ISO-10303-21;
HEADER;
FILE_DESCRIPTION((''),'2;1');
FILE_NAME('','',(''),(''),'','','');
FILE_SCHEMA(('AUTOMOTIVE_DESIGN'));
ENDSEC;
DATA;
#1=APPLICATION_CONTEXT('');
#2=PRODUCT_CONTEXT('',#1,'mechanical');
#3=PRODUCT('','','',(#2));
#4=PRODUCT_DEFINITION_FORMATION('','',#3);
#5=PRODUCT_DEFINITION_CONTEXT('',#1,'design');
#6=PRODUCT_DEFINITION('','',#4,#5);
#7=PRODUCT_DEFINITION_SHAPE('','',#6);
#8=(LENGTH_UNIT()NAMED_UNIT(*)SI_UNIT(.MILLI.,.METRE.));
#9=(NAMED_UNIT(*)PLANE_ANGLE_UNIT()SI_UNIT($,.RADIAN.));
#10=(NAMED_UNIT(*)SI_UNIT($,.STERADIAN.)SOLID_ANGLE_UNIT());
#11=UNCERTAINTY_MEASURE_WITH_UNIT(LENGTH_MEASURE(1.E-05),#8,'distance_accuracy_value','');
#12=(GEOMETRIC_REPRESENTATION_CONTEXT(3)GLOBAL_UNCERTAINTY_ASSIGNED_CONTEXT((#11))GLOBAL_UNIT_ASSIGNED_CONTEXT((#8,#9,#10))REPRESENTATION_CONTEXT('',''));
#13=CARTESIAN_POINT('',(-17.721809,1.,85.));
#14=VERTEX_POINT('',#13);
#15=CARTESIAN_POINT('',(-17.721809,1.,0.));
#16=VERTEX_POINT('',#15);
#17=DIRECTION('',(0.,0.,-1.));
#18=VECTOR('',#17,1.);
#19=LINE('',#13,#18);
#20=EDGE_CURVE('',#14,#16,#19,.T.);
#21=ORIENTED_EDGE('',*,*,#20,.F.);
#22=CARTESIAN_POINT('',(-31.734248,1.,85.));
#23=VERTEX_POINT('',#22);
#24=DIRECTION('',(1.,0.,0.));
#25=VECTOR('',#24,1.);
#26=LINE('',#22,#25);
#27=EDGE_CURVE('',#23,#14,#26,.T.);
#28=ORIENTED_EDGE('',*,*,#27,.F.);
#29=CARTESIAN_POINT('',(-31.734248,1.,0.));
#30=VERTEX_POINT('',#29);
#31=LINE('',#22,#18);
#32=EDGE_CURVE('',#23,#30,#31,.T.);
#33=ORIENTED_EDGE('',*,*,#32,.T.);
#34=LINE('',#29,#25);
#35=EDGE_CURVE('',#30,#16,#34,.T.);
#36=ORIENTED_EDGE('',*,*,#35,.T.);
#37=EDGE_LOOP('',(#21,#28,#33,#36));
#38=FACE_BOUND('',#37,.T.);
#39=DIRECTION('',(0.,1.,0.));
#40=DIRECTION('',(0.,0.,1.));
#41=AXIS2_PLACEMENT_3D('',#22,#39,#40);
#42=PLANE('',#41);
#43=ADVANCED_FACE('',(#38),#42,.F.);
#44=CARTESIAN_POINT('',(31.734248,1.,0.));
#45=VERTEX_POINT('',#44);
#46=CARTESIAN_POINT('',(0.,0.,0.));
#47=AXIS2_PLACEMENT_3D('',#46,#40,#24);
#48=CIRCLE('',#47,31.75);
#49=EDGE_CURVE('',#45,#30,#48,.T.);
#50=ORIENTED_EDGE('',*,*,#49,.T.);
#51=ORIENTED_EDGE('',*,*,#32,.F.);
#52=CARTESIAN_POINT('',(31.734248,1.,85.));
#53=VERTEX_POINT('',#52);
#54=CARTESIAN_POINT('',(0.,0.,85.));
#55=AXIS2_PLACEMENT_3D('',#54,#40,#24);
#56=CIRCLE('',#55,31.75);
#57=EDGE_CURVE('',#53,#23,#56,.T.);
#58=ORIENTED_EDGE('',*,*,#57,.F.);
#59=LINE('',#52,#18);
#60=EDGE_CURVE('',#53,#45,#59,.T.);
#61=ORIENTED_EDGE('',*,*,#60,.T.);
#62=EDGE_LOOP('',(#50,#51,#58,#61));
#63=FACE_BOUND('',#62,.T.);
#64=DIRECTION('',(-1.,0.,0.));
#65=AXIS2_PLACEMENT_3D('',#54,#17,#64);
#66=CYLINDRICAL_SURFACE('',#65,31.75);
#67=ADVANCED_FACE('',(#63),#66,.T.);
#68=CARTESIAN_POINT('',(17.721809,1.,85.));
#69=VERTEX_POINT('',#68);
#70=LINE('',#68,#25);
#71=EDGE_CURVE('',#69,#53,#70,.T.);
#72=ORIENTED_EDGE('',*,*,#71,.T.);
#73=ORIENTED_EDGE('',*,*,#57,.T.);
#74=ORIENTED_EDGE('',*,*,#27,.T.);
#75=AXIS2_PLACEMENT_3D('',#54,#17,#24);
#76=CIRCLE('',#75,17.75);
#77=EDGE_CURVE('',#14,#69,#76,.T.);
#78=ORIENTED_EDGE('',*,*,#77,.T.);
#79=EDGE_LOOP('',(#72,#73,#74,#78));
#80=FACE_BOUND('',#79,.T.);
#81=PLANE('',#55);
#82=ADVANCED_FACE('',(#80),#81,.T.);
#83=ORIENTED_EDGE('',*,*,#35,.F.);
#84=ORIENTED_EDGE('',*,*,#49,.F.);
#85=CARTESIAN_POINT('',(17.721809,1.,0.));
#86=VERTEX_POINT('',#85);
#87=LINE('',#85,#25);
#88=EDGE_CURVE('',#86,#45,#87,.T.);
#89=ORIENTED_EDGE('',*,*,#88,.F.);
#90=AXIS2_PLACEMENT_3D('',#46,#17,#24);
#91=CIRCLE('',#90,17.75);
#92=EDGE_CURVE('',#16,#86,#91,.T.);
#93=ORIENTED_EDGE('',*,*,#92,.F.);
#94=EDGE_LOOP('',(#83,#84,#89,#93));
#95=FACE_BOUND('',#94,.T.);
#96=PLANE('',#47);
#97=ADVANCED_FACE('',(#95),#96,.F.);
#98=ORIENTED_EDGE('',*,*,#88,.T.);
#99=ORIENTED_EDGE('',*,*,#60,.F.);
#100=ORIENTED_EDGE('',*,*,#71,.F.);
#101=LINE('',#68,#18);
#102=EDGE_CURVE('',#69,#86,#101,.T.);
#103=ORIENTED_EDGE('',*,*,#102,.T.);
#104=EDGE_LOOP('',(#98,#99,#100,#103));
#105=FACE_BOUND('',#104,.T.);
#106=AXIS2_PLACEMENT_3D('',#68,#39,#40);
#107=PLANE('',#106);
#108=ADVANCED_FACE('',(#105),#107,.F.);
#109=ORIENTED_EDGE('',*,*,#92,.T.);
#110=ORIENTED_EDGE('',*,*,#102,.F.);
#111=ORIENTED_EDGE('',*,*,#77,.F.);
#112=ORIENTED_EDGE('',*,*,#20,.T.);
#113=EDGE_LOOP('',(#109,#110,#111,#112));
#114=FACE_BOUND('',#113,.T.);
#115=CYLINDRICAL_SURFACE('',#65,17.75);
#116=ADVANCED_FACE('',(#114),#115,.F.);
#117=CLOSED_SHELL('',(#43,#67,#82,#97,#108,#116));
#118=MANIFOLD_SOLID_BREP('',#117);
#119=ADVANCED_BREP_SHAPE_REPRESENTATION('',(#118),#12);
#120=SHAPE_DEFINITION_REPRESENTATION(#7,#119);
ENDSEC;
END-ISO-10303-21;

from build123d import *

# Parameters (mm, degrees)
BOSS_EXTRUDE1_DEPTH = 85


with BuildPart() as part:
    # Sketch1 → Boss-Extrude1 (new body)
    with BuildSketch(Plane.XY):
        with BuildLine():
            Line((-31.734248061, 1), (-17.721808598, 1))
            ThreePointArc((-17.721808598, 1), (0, 17.75), (17.721808598, 1))
            Line((17.721808598, 1), (31.734248061, 1))
            ThreePointArc((31.734248061, 1), (0, 31.75), (-31.734248061, 1))
        make_face()
    extrude(amount=BOSS_EXTRUDE1_DEPTH)


solid = part.part
